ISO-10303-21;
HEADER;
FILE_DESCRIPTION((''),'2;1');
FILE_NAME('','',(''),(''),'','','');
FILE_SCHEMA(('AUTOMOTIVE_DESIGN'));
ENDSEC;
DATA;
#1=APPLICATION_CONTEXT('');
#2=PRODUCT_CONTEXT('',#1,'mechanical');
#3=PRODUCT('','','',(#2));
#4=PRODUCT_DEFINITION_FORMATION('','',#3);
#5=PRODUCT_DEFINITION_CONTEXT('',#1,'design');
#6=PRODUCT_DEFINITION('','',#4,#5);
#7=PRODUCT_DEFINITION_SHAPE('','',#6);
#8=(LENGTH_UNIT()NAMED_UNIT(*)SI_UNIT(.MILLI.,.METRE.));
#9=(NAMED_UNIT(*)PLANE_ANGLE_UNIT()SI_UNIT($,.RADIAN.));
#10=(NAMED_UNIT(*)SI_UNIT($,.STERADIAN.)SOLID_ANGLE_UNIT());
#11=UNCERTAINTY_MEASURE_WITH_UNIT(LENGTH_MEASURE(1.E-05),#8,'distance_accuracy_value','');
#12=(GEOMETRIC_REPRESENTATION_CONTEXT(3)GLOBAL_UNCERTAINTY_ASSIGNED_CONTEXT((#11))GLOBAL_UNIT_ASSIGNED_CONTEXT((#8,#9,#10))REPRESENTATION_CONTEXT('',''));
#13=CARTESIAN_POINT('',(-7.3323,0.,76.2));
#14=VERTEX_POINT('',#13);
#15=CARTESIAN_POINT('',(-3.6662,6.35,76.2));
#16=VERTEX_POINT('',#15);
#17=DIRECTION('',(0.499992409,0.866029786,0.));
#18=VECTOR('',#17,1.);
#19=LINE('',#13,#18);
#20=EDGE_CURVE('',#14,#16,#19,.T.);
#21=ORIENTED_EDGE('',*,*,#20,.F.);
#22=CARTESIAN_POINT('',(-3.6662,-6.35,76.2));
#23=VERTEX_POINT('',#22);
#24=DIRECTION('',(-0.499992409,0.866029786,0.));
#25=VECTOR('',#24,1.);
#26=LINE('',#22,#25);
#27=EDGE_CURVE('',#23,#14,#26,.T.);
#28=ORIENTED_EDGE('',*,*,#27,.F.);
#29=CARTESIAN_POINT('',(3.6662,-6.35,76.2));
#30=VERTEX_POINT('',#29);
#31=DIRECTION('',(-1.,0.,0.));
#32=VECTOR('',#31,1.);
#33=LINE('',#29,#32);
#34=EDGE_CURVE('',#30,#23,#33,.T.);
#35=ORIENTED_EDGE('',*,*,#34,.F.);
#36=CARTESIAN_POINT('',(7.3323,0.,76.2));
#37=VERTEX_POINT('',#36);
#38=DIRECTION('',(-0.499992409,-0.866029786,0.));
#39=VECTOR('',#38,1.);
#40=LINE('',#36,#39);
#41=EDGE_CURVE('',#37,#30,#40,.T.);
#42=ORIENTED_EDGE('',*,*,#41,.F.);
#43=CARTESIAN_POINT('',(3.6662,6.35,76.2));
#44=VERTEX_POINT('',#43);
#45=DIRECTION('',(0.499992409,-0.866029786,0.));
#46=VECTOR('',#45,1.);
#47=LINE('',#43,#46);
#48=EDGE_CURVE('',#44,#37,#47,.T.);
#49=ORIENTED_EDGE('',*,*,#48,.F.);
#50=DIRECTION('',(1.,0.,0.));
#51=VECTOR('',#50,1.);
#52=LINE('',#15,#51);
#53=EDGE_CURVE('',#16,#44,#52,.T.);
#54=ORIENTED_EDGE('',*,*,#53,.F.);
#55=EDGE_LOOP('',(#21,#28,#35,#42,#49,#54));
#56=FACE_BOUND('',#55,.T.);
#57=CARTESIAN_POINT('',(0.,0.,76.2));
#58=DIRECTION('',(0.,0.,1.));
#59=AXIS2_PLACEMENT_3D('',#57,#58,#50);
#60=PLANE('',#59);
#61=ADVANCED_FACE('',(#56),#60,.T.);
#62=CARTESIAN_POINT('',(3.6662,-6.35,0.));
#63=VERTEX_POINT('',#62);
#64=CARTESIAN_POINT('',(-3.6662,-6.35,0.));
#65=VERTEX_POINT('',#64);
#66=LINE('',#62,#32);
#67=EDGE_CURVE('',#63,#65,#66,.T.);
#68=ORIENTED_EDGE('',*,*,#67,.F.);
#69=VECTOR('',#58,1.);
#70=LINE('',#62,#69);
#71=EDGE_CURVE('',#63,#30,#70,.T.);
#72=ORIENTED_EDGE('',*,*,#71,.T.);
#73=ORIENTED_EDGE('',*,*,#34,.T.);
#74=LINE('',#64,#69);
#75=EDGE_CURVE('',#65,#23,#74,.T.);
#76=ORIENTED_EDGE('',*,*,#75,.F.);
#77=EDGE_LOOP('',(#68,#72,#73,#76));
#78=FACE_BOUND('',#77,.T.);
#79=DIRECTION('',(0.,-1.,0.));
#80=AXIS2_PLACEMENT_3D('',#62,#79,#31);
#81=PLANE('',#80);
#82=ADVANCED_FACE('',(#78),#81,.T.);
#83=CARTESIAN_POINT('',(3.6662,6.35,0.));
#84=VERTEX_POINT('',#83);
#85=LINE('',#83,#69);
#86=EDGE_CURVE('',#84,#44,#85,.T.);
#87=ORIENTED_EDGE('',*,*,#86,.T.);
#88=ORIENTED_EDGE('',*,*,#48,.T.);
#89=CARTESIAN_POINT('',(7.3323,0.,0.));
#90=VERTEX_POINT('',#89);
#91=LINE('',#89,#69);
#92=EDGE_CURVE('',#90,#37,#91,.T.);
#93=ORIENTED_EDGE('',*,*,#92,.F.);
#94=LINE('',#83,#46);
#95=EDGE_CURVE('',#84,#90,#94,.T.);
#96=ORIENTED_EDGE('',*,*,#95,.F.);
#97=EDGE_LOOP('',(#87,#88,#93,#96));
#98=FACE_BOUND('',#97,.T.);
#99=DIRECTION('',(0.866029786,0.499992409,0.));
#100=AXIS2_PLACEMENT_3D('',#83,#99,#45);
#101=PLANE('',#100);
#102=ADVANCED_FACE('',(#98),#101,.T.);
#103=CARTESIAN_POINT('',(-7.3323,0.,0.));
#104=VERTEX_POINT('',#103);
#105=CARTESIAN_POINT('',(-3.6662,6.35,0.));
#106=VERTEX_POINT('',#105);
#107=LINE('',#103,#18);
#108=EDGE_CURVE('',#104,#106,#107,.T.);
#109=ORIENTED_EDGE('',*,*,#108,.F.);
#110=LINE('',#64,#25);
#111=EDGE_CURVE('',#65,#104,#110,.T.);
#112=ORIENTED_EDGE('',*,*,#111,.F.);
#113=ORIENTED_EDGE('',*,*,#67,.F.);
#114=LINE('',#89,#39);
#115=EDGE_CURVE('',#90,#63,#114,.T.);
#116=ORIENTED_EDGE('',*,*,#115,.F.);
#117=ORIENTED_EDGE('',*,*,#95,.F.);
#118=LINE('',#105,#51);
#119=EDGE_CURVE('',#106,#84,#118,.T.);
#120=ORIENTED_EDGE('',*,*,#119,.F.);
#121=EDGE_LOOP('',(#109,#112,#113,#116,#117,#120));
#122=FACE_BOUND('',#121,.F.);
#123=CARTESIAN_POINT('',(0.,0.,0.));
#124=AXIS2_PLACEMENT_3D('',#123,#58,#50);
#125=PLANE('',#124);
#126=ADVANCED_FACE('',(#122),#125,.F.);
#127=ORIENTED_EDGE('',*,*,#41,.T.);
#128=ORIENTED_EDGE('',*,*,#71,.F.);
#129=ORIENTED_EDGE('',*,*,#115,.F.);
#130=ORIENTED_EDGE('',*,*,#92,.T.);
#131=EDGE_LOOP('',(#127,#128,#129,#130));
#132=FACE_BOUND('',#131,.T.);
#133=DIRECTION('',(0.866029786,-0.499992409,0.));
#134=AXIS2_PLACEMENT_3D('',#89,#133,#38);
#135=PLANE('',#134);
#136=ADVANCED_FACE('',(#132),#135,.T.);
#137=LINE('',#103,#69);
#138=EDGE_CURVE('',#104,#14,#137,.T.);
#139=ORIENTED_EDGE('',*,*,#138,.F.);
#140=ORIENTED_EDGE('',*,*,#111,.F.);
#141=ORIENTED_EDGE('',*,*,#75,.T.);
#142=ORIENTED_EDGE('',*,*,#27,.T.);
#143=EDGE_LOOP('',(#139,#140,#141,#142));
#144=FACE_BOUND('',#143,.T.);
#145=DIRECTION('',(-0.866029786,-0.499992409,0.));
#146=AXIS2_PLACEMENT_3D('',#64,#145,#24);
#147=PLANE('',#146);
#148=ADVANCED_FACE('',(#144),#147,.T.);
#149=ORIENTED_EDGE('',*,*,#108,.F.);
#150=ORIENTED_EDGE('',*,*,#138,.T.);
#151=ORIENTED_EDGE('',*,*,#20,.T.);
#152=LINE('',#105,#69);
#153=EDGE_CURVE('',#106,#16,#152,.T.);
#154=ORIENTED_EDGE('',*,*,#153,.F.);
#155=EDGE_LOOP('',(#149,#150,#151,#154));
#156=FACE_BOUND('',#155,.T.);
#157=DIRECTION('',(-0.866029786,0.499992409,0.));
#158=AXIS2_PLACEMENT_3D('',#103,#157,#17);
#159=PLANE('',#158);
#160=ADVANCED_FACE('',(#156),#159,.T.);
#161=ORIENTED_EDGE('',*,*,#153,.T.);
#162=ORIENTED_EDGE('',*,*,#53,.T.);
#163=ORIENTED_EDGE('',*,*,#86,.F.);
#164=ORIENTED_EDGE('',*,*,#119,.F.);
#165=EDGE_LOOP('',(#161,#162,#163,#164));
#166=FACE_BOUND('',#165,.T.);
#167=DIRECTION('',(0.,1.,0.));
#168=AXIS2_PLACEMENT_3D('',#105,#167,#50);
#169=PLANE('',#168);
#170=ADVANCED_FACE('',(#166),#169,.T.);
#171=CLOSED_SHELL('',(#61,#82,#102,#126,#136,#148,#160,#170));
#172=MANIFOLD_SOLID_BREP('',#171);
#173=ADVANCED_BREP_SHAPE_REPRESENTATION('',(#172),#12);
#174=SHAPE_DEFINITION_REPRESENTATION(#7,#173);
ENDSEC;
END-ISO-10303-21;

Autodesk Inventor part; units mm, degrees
ref_plane "YZ Plane" through (0, 0, 0) normal (1, 0, 0) x (0, 1, 0)
ref_plane "XZ Plane" through (0, 0, 0) normal (0, 1, 0) x (-1, 0, 0)
ref_plane "XY Plane" through (0, 0, 0) normal (0, 0, 1) x (1, 0, 0)
sketch "Sketch1" plane through (0, 0, 0) normal (0, 0, 1) x (1, 0, 0)
  line L0 (3.6662, 6.35) -> (7.3323, 0)
  line L1 (7.3323, 0) -> (3.6662, -6.35)
  line L2 (3.6662, -6.35) -> (-3.6662, -6.35)
  line L3 (-3.6662, -6.35) -> (-7.3323, 0)
  line L4 (-7.3323, 0) -> (-3.6662, 6.35)
  line L5 (-3.6662, 6.35) -> (3.6662, 6.35)
  point P0 (0, 0)
  point P1 (0, 0)
  dimension "d0" = 12.7
extrude "Extrusion1" add sketch "Sketch1" along normal blind 76.2
properties part number "Hex Shaft 1-2 in (am-0856)" material "Steel, Alloy"
